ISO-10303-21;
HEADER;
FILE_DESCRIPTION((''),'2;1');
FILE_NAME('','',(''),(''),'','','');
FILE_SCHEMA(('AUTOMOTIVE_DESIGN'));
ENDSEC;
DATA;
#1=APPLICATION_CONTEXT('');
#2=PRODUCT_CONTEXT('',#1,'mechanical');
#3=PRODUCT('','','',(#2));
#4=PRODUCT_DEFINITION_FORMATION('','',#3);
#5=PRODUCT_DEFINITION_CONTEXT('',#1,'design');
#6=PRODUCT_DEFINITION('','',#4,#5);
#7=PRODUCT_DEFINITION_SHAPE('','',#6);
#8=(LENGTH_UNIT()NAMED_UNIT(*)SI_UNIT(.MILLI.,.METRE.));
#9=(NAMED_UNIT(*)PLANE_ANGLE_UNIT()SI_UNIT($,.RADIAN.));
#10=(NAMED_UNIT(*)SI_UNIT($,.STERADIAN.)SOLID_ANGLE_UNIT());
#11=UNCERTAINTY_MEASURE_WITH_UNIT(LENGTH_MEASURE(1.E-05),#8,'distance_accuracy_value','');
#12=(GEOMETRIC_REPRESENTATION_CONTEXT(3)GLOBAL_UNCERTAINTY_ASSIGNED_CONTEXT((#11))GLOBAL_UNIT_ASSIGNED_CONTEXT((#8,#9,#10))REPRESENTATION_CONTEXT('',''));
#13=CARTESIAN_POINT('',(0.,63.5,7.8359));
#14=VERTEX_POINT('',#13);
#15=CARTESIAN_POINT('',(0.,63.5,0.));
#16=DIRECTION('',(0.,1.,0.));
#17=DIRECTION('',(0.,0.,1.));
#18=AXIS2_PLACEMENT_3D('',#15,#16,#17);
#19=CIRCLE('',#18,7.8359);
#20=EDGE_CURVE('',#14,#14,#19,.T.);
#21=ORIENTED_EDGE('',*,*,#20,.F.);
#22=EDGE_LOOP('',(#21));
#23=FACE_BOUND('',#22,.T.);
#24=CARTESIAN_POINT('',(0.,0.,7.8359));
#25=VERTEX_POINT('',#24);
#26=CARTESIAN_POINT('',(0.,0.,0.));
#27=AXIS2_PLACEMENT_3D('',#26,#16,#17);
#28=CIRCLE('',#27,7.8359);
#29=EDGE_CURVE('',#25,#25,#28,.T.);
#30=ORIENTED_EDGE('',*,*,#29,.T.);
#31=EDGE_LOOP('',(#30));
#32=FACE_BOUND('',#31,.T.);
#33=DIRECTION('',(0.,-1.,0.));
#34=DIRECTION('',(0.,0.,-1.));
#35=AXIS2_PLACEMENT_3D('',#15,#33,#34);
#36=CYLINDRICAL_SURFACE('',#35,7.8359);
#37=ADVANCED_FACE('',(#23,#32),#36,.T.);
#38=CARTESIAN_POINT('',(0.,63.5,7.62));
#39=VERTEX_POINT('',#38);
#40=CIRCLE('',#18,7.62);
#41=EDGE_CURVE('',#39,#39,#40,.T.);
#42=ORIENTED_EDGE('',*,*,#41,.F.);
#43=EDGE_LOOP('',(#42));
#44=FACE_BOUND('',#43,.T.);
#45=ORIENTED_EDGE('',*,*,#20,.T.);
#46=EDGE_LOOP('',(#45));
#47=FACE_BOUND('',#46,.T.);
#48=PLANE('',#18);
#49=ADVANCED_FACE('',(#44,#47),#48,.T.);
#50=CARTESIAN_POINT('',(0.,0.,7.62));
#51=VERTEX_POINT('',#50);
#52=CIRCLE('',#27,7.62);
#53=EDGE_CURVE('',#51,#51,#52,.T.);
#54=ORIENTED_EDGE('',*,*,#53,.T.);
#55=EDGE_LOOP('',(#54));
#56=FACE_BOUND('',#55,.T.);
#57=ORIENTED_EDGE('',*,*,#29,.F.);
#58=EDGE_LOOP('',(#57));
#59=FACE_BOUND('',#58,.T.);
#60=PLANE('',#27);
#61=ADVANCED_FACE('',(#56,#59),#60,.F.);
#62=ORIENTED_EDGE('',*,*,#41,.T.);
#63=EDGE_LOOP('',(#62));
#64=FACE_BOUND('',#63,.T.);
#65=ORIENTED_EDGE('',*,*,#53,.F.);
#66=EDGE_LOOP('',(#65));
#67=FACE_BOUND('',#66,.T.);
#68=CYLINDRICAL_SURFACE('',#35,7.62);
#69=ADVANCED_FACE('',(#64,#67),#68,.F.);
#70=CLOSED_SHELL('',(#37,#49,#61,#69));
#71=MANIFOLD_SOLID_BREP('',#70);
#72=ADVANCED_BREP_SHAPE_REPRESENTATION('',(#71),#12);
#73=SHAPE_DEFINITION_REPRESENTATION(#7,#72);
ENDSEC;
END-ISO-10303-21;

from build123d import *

# Parameters (mm, degrees)
SKETCH1_R           = 7.8359
SKETCH1_R_2         = 7.62
BOSS_EXTRUDE1_DEPTH = 63.5


with BuildPart() as part:
    # Sketch1 → Boss-Extrude1 (new body)
    with BuildSketch(Plane(origin=(0, 0, 0), x_dir=(1, 0, 0), z_dir=(0, 1, 0))):
        with Locations(Location((0, 0, 0), (0, 0, 270))):
            Circle(SKETCH1_R)
        with Locations(Location((0, 0, 0), (0, 0, 270))):
            Circle(SKETCH1_R_2, mode=Mode.SUBTRACT)
    extrude(amount=BOSS_EXTRUDE1_DEPTH)


solid = part.part
